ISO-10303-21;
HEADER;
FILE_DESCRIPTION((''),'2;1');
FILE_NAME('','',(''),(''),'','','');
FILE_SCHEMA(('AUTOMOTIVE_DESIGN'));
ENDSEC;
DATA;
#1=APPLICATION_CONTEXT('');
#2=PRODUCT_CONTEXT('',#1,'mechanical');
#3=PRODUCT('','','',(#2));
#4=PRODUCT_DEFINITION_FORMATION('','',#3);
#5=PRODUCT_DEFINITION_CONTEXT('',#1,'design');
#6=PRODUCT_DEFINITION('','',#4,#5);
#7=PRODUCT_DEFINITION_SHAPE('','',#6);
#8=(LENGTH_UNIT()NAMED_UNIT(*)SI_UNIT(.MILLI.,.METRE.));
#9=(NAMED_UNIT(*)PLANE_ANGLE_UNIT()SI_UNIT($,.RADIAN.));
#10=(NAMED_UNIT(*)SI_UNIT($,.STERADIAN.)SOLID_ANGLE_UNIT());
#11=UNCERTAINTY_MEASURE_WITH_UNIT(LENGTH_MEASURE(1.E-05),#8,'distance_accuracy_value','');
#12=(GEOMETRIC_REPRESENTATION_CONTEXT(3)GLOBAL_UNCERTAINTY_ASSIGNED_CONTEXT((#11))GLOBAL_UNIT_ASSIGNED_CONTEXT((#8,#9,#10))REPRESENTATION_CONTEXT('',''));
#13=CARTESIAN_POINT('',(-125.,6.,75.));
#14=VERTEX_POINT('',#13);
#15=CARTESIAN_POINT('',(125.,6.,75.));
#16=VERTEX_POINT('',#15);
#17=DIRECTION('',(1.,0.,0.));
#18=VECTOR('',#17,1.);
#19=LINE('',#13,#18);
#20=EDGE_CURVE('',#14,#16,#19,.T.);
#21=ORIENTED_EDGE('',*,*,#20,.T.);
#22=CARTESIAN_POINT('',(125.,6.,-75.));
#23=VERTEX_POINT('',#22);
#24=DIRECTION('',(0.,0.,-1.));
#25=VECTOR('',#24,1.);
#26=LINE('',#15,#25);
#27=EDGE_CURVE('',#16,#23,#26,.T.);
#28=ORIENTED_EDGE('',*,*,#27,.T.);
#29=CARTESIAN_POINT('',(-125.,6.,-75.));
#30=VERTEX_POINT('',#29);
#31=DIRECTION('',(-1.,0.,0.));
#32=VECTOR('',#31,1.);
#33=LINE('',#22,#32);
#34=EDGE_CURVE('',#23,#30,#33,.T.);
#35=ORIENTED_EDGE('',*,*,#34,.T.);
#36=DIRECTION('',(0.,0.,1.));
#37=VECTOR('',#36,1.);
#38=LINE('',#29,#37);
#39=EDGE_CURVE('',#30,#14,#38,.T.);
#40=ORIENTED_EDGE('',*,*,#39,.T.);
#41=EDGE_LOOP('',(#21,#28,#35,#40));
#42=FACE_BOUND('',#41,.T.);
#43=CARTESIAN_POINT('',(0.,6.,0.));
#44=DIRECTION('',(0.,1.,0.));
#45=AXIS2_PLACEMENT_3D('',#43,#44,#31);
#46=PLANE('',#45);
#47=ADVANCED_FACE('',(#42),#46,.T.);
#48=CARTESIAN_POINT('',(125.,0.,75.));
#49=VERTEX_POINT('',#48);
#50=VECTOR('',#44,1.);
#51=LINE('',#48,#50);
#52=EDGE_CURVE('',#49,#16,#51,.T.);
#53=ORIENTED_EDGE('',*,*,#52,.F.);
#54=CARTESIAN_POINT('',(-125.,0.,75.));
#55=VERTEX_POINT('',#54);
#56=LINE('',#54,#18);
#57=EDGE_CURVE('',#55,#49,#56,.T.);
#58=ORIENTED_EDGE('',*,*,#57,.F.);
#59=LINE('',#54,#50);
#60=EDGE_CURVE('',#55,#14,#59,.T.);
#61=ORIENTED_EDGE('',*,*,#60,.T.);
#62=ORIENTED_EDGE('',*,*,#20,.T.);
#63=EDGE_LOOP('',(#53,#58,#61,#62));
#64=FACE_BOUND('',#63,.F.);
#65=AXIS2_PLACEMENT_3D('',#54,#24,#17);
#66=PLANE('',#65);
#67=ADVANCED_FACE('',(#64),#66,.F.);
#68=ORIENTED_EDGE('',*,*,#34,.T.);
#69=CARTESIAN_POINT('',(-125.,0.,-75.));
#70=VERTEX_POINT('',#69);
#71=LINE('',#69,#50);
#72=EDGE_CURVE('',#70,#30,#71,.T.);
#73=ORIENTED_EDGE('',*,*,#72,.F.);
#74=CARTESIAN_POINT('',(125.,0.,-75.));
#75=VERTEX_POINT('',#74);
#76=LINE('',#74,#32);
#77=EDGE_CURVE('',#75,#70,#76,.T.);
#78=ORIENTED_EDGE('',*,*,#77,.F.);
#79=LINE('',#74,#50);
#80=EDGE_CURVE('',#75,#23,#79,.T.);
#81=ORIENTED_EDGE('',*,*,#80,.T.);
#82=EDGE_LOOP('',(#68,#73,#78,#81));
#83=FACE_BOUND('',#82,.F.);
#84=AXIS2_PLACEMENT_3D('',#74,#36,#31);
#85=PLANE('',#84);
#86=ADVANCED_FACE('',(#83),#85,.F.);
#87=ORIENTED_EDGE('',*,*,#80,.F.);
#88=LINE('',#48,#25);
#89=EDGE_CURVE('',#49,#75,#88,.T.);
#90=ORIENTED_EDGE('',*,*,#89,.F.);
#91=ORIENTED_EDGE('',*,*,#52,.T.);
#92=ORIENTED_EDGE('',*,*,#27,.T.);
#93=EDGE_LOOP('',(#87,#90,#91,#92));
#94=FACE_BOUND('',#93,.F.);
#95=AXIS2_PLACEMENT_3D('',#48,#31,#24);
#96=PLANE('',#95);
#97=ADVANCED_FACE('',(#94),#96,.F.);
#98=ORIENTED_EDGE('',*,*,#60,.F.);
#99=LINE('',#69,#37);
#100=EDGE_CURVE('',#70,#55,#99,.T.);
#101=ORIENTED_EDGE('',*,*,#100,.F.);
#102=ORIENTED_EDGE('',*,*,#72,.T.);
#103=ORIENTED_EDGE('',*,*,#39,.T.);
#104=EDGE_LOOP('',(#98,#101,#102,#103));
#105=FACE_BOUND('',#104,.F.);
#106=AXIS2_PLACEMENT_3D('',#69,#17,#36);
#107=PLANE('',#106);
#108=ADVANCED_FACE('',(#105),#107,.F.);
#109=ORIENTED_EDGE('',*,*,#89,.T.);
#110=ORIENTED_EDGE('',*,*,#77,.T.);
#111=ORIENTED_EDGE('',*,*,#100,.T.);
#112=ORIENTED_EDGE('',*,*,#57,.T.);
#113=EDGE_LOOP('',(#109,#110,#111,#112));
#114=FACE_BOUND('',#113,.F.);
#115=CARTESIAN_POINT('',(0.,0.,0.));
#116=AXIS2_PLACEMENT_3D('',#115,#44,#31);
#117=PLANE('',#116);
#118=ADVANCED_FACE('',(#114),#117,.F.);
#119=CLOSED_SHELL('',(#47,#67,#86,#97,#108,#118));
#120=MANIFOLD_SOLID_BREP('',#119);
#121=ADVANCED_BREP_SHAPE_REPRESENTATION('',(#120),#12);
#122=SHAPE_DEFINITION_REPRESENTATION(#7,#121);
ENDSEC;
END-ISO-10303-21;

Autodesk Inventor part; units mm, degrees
ref_plane "YZ Plane" through (0, 0, 0) normal (1, 0, 0) x (0, 1, 0)
ref_plane "XZ Plane" through (0, 0, 0) normal (0, 1, 0) x (-1, 0, 0)
ref_plane "XY Plane" through (0, 0, 0) normal (0, 0, 1) x (1, 0, 0)
sketch "Skizze1" plane through (0, 0, 0) normal (0, 1, 0) x (-1, 0, 0)
  line L0 (125, 75) -> (-125, 75)
  line L1 (-125, 75) -> (-125, -75)
  line L2 (-125, -75) -> (125, -75)
  line L3 (125, -75) -> (125, 75)
  point P0 (0, 0)
  point P1 (0, -75)
  point P2 (125, 0)
  dimension "d0" = 250
  dimension "d1" = 150
extrude "Extrusion1" add sketch "Skizze1" along normal blind 6
properties part number "Grundplatte_Konsole" material "Holz (Kirsche)"
